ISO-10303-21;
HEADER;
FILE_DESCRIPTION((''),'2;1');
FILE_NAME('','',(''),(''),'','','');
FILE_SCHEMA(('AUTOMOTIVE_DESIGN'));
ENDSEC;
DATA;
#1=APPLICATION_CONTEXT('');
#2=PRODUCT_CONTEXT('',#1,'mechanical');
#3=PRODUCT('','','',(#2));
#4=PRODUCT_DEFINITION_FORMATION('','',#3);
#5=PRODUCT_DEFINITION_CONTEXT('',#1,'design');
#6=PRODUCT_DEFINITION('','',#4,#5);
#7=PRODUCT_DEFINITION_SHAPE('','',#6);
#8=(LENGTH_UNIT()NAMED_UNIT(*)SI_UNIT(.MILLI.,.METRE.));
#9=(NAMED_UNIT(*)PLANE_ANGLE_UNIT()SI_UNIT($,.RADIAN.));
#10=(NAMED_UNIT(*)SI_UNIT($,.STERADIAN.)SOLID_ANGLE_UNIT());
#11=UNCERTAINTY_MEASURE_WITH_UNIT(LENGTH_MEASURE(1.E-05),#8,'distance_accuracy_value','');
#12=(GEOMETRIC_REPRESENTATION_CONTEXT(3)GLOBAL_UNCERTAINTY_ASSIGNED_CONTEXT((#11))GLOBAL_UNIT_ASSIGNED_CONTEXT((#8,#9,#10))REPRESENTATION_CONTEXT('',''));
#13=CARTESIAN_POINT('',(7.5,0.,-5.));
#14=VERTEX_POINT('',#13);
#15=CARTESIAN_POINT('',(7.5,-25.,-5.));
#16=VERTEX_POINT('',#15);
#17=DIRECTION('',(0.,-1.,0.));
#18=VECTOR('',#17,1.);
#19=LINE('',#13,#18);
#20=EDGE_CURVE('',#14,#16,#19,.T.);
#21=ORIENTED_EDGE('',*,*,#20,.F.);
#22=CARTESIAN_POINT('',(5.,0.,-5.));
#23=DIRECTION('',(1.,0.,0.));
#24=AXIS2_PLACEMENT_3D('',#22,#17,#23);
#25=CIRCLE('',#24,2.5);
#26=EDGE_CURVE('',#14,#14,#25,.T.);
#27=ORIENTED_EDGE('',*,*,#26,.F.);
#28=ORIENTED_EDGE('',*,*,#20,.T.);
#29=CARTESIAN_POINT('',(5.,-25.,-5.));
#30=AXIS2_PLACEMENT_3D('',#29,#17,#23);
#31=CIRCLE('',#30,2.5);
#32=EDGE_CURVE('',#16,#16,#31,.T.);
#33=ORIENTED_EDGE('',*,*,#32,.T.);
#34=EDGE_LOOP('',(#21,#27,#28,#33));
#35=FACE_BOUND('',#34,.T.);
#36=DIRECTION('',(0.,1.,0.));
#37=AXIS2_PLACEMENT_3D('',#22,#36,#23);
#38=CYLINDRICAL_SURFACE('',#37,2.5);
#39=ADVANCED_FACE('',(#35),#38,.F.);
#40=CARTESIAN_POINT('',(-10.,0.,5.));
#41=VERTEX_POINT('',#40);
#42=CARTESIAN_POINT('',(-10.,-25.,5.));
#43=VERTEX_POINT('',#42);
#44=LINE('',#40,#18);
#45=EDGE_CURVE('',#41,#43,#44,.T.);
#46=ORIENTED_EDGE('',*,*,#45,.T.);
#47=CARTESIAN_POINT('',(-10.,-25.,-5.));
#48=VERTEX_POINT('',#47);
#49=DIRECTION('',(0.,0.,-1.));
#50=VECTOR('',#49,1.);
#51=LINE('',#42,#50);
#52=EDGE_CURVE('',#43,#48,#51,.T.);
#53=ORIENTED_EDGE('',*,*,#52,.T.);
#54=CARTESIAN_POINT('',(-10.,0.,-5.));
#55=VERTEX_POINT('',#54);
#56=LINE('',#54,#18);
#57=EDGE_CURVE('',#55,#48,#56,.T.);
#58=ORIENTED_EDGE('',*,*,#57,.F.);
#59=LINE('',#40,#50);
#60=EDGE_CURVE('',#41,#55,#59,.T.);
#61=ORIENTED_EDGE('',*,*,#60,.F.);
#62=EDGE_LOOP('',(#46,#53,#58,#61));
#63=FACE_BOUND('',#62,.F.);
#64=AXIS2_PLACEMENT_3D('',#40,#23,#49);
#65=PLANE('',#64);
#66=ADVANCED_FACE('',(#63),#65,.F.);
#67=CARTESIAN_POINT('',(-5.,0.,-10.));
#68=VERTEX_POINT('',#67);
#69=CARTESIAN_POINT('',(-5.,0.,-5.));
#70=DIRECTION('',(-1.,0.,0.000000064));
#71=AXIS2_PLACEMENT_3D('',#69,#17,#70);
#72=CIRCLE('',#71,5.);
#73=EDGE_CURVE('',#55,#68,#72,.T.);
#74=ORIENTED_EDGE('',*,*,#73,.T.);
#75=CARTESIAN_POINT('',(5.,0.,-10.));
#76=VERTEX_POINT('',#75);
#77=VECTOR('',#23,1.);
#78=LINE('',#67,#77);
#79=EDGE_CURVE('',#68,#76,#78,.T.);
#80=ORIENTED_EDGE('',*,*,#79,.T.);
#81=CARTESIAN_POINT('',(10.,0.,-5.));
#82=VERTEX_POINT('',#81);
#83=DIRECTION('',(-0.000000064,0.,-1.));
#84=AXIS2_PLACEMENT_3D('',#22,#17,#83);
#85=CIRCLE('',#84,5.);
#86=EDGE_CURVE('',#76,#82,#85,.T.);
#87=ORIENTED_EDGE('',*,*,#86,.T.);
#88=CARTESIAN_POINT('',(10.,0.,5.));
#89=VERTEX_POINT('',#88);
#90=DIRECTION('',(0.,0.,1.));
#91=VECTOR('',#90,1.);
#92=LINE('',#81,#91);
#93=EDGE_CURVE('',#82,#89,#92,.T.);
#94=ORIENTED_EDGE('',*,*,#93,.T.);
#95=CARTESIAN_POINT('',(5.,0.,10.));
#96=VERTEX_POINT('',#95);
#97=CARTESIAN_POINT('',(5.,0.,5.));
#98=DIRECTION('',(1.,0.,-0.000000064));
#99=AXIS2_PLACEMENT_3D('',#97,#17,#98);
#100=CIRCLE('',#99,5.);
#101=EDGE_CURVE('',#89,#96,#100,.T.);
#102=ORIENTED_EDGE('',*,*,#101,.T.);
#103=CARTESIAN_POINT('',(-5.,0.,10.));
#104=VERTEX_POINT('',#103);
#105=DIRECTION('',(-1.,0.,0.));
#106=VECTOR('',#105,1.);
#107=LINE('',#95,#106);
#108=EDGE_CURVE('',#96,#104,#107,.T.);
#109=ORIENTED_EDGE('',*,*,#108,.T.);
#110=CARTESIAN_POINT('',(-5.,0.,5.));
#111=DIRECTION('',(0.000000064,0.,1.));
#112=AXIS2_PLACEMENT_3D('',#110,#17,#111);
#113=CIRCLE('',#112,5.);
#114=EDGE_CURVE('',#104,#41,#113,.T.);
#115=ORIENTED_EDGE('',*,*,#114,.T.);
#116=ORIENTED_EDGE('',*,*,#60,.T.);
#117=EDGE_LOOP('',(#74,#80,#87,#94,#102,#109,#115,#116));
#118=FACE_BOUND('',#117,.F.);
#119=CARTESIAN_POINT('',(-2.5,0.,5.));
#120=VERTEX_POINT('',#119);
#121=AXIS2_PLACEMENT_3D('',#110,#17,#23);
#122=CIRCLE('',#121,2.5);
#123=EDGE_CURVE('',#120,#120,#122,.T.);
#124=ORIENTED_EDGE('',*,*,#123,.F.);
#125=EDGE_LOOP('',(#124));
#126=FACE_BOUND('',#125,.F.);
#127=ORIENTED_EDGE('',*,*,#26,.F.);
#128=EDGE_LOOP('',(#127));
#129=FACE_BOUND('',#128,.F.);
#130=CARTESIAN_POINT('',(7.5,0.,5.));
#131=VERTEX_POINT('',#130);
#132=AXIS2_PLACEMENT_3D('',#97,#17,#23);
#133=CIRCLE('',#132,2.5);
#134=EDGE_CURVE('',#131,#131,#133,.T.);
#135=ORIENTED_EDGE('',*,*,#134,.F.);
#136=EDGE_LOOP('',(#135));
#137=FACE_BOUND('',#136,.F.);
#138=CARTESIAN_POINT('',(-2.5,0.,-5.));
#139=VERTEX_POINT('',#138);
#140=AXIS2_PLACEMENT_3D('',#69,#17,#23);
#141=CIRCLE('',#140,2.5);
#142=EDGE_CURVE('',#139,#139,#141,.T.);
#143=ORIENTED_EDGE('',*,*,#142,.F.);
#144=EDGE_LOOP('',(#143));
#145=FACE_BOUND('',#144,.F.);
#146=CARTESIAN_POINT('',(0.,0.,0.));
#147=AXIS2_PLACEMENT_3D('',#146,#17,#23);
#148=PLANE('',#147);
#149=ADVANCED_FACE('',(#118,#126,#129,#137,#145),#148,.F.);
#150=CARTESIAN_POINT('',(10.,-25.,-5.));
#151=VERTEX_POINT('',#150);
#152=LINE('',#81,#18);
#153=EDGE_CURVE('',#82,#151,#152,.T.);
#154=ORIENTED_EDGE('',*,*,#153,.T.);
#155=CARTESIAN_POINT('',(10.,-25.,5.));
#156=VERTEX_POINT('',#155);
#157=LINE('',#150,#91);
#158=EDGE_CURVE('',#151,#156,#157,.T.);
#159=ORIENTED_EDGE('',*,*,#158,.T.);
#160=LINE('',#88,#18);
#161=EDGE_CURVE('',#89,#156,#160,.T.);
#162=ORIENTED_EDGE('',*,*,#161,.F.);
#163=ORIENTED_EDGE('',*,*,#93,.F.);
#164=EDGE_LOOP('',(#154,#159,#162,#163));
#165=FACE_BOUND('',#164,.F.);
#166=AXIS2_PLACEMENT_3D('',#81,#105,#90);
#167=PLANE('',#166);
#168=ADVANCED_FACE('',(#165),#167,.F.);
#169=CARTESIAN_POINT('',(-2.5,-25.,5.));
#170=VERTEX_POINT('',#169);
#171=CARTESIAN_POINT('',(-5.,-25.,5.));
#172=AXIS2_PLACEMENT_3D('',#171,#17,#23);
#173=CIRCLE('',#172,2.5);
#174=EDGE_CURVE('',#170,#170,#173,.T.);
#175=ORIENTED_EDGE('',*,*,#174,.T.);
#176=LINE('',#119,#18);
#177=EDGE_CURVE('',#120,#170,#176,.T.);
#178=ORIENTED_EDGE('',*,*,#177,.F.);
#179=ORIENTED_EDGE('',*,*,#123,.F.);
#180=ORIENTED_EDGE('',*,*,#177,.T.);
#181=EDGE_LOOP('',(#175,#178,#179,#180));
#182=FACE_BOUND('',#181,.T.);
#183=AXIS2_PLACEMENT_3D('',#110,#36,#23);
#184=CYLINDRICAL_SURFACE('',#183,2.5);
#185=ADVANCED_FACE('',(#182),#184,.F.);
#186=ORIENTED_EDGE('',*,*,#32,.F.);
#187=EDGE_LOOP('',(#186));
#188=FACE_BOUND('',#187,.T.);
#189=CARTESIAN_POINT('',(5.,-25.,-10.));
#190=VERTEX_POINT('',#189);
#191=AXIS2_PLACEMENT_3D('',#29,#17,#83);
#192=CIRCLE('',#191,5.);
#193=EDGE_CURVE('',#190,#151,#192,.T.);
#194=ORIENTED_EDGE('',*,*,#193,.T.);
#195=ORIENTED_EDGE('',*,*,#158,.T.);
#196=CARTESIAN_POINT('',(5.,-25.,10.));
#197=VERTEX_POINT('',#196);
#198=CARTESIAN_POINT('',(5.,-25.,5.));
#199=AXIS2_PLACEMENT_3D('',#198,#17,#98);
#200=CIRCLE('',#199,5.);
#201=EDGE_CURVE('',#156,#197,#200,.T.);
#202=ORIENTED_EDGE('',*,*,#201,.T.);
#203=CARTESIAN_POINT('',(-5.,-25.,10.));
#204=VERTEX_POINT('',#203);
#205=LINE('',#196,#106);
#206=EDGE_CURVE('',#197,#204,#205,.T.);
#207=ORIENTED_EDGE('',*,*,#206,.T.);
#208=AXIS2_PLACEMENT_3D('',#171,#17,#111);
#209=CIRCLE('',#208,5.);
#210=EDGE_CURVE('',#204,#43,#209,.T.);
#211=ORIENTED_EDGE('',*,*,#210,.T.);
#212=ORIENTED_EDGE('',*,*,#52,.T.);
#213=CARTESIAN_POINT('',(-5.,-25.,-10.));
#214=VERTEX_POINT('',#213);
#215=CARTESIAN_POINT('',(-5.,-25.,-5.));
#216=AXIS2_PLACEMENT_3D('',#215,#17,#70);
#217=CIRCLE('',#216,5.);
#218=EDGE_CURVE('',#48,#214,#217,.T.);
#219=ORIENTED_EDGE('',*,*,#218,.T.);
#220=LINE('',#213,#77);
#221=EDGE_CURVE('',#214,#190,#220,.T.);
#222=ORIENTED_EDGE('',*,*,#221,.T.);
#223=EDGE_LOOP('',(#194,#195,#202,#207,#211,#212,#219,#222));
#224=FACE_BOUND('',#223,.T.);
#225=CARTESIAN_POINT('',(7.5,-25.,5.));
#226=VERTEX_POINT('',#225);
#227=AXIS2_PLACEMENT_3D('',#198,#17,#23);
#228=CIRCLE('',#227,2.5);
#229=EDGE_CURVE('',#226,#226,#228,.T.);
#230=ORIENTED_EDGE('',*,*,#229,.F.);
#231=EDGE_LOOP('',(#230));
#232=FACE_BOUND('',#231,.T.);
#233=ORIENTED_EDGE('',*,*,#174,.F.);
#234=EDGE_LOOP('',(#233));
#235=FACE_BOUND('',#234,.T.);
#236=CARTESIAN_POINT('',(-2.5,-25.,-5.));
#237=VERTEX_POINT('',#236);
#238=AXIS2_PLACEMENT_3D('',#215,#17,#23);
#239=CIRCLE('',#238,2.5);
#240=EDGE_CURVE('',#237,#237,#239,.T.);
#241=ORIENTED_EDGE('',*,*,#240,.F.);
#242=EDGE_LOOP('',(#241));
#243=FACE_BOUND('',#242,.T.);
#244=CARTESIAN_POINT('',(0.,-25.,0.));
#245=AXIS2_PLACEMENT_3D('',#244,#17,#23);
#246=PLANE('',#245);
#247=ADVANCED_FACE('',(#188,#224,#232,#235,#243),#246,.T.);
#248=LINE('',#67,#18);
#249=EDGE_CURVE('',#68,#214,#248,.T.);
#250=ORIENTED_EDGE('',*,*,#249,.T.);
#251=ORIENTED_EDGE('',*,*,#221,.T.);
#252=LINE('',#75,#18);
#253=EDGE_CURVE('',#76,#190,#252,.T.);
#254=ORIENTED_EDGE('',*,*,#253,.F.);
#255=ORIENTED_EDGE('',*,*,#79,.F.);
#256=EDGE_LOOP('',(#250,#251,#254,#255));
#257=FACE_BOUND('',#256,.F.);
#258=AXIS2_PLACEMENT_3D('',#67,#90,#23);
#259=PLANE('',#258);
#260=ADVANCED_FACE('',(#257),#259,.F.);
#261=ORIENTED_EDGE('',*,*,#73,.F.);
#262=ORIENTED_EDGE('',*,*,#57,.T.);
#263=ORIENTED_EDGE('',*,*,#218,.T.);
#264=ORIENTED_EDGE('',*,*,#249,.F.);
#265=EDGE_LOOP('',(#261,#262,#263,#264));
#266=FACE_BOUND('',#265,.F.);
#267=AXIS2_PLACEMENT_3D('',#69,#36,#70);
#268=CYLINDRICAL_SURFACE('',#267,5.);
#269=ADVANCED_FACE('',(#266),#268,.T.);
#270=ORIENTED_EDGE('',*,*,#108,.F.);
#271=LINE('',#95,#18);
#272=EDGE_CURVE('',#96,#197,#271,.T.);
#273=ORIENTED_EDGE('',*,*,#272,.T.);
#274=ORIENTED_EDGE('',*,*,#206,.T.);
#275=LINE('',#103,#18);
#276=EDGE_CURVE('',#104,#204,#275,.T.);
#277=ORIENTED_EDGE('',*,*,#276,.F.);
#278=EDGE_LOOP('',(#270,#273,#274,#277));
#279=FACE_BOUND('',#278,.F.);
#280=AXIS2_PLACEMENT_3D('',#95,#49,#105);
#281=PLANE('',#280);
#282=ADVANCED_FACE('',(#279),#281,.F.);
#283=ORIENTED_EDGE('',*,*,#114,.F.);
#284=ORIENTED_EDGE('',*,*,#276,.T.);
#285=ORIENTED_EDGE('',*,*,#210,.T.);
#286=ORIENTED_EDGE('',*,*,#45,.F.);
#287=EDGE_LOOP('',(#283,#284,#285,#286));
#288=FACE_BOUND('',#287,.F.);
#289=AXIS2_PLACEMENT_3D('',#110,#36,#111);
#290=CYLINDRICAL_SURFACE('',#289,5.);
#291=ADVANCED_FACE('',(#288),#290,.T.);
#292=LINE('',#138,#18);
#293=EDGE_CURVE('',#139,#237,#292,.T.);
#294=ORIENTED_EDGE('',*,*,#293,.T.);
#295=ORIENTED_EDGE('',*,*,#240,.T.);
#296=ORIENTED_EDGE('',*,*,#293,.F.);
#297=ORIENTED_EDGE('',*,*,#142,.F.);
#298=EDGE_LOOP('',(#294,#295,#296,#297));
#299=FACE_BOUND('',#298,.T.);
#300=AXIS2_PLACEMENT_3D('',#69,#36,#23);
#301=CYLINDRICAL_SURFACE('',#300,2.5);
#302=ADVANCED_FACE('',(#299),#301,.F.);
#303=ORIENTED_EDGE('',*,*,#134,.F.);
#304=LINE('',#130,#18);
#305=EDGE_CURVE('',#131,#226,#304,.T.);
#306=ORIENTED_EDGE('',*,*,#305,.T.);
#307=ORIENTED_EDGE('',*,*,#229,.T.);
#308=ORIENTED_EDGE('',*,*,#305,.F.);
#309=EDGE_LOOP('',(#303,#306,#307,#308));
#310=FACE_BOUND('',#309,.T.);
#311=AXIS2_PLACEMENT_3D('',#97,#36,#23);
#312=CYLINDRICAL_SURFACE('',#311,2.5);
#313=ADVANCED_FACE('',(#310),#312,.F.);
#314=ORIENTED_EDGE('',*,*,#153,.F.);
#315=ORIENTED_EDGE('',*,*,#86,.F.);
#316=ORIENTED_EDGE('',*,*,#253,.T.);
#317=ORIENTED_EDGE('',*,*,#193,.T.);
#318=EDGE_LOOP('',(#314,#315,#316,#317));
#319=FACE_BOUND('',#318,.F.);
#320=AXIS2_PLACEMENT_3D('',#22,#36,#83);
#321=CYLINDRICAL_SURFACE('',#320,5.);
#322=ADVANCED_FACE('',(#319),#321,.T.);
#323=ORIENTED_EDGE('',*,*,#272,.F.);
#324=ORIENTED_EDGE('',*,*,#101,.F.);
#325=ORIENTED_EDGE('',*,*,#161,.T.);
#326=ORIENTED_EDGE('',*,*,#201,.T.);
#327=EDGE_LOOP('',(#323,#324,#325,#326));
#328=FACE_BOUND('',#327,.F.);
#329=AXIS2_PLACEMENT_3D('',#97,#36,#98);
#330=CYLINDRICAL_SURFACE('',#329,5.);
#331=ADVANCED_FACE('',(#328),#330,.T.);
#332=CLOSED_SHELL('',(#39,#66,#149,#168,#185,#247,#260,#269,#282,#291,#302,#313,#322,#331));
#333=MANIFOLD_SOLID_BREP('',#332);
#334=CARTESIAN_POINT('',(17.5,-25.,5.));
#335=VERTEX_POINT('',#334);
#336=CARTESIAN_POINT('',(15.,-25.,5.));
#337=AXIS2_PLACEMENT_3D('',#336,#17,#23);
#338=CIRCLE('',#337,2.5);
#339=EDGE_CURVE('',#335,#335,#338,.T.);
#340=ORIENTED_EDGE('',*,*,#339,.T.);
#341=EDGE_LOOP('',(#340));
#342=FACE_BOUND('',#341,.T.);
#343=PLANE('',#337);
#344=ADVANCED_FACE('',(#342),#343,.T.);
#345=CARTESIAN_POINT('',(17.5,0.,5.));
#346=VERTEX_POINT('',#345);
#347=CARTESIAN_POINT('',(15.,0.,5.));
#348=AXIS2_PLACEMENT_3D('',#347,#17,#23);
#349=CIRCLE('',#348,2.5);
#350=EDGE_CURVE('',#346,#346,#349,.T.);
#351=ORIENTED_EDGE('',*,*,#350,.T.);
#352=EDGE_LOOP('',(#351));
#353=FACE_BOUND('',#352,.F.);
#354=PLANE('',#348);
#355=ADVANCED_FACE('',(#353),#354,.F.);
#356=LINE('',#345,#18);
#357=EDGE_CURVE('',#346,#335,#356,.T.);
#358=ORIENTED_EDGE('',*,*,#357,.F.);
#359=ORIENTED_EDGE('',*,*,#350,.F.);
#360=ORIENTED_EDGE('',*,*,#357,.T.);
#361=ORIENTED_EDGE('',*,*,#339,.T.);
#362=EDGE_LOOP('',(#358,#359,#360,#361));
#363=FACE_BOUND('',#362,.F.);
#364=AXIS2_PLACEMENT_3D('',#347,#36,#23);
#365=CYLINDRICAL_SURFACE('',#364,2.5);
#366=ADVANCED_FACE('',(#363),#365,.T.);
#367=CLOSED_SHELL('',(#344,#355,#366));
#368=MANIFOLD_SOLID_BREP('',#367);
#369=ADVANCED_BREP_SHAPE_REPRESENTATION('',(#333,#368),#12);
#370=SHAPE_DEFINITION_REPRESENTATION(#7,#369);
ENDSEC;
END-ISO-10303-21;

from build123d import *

# Parameters (mm, degrees)
F0_R     = 2.5
F1_DEPTH = 25


with BuildPart() as f1:
    # F0 (on Front) → F1 (new body)
    with BuildSketch(Plane.XZ):
        with BuildLine():
            Line((5, 10), (-5, 10))
            ThreePointArc((-5, 10), (-8.535534, 8.535534), (-10, 5))
            Line((-10, 5), (-10, -5))
            ThreePointArc((-10, -5), (-8.535534, -8.535534), (-5, -10))
            Line((-5, -10), (5, -10))
            ThreePointArc((5, -10), (8.535534, -8.535534), (10, -5))
            Line((10, -5), (10, 5))
            ThreePointArc((10, 5), (8.535534, 8.535534), (5, 10))
        make_face()
        with Locations((-5, -5)):
            Circle(F0_R, mode=Mode.SUBTRACT)
        with Locations((5, -5)):
            Circle(F0_R, mode=Mode.SUBTRACT)
        with Locations((-5, 5)):
            Circle(F0_R, mode=Mode.SUBTRACT)
        with Locations((5, 5)):
            Circle(F0_R, mode=Mode.SUBTRACT)
        with Locations((15, 5)):
            Circle(F0_R)
    extrude(amount=F1_DEPTH)


solid = f1.part
